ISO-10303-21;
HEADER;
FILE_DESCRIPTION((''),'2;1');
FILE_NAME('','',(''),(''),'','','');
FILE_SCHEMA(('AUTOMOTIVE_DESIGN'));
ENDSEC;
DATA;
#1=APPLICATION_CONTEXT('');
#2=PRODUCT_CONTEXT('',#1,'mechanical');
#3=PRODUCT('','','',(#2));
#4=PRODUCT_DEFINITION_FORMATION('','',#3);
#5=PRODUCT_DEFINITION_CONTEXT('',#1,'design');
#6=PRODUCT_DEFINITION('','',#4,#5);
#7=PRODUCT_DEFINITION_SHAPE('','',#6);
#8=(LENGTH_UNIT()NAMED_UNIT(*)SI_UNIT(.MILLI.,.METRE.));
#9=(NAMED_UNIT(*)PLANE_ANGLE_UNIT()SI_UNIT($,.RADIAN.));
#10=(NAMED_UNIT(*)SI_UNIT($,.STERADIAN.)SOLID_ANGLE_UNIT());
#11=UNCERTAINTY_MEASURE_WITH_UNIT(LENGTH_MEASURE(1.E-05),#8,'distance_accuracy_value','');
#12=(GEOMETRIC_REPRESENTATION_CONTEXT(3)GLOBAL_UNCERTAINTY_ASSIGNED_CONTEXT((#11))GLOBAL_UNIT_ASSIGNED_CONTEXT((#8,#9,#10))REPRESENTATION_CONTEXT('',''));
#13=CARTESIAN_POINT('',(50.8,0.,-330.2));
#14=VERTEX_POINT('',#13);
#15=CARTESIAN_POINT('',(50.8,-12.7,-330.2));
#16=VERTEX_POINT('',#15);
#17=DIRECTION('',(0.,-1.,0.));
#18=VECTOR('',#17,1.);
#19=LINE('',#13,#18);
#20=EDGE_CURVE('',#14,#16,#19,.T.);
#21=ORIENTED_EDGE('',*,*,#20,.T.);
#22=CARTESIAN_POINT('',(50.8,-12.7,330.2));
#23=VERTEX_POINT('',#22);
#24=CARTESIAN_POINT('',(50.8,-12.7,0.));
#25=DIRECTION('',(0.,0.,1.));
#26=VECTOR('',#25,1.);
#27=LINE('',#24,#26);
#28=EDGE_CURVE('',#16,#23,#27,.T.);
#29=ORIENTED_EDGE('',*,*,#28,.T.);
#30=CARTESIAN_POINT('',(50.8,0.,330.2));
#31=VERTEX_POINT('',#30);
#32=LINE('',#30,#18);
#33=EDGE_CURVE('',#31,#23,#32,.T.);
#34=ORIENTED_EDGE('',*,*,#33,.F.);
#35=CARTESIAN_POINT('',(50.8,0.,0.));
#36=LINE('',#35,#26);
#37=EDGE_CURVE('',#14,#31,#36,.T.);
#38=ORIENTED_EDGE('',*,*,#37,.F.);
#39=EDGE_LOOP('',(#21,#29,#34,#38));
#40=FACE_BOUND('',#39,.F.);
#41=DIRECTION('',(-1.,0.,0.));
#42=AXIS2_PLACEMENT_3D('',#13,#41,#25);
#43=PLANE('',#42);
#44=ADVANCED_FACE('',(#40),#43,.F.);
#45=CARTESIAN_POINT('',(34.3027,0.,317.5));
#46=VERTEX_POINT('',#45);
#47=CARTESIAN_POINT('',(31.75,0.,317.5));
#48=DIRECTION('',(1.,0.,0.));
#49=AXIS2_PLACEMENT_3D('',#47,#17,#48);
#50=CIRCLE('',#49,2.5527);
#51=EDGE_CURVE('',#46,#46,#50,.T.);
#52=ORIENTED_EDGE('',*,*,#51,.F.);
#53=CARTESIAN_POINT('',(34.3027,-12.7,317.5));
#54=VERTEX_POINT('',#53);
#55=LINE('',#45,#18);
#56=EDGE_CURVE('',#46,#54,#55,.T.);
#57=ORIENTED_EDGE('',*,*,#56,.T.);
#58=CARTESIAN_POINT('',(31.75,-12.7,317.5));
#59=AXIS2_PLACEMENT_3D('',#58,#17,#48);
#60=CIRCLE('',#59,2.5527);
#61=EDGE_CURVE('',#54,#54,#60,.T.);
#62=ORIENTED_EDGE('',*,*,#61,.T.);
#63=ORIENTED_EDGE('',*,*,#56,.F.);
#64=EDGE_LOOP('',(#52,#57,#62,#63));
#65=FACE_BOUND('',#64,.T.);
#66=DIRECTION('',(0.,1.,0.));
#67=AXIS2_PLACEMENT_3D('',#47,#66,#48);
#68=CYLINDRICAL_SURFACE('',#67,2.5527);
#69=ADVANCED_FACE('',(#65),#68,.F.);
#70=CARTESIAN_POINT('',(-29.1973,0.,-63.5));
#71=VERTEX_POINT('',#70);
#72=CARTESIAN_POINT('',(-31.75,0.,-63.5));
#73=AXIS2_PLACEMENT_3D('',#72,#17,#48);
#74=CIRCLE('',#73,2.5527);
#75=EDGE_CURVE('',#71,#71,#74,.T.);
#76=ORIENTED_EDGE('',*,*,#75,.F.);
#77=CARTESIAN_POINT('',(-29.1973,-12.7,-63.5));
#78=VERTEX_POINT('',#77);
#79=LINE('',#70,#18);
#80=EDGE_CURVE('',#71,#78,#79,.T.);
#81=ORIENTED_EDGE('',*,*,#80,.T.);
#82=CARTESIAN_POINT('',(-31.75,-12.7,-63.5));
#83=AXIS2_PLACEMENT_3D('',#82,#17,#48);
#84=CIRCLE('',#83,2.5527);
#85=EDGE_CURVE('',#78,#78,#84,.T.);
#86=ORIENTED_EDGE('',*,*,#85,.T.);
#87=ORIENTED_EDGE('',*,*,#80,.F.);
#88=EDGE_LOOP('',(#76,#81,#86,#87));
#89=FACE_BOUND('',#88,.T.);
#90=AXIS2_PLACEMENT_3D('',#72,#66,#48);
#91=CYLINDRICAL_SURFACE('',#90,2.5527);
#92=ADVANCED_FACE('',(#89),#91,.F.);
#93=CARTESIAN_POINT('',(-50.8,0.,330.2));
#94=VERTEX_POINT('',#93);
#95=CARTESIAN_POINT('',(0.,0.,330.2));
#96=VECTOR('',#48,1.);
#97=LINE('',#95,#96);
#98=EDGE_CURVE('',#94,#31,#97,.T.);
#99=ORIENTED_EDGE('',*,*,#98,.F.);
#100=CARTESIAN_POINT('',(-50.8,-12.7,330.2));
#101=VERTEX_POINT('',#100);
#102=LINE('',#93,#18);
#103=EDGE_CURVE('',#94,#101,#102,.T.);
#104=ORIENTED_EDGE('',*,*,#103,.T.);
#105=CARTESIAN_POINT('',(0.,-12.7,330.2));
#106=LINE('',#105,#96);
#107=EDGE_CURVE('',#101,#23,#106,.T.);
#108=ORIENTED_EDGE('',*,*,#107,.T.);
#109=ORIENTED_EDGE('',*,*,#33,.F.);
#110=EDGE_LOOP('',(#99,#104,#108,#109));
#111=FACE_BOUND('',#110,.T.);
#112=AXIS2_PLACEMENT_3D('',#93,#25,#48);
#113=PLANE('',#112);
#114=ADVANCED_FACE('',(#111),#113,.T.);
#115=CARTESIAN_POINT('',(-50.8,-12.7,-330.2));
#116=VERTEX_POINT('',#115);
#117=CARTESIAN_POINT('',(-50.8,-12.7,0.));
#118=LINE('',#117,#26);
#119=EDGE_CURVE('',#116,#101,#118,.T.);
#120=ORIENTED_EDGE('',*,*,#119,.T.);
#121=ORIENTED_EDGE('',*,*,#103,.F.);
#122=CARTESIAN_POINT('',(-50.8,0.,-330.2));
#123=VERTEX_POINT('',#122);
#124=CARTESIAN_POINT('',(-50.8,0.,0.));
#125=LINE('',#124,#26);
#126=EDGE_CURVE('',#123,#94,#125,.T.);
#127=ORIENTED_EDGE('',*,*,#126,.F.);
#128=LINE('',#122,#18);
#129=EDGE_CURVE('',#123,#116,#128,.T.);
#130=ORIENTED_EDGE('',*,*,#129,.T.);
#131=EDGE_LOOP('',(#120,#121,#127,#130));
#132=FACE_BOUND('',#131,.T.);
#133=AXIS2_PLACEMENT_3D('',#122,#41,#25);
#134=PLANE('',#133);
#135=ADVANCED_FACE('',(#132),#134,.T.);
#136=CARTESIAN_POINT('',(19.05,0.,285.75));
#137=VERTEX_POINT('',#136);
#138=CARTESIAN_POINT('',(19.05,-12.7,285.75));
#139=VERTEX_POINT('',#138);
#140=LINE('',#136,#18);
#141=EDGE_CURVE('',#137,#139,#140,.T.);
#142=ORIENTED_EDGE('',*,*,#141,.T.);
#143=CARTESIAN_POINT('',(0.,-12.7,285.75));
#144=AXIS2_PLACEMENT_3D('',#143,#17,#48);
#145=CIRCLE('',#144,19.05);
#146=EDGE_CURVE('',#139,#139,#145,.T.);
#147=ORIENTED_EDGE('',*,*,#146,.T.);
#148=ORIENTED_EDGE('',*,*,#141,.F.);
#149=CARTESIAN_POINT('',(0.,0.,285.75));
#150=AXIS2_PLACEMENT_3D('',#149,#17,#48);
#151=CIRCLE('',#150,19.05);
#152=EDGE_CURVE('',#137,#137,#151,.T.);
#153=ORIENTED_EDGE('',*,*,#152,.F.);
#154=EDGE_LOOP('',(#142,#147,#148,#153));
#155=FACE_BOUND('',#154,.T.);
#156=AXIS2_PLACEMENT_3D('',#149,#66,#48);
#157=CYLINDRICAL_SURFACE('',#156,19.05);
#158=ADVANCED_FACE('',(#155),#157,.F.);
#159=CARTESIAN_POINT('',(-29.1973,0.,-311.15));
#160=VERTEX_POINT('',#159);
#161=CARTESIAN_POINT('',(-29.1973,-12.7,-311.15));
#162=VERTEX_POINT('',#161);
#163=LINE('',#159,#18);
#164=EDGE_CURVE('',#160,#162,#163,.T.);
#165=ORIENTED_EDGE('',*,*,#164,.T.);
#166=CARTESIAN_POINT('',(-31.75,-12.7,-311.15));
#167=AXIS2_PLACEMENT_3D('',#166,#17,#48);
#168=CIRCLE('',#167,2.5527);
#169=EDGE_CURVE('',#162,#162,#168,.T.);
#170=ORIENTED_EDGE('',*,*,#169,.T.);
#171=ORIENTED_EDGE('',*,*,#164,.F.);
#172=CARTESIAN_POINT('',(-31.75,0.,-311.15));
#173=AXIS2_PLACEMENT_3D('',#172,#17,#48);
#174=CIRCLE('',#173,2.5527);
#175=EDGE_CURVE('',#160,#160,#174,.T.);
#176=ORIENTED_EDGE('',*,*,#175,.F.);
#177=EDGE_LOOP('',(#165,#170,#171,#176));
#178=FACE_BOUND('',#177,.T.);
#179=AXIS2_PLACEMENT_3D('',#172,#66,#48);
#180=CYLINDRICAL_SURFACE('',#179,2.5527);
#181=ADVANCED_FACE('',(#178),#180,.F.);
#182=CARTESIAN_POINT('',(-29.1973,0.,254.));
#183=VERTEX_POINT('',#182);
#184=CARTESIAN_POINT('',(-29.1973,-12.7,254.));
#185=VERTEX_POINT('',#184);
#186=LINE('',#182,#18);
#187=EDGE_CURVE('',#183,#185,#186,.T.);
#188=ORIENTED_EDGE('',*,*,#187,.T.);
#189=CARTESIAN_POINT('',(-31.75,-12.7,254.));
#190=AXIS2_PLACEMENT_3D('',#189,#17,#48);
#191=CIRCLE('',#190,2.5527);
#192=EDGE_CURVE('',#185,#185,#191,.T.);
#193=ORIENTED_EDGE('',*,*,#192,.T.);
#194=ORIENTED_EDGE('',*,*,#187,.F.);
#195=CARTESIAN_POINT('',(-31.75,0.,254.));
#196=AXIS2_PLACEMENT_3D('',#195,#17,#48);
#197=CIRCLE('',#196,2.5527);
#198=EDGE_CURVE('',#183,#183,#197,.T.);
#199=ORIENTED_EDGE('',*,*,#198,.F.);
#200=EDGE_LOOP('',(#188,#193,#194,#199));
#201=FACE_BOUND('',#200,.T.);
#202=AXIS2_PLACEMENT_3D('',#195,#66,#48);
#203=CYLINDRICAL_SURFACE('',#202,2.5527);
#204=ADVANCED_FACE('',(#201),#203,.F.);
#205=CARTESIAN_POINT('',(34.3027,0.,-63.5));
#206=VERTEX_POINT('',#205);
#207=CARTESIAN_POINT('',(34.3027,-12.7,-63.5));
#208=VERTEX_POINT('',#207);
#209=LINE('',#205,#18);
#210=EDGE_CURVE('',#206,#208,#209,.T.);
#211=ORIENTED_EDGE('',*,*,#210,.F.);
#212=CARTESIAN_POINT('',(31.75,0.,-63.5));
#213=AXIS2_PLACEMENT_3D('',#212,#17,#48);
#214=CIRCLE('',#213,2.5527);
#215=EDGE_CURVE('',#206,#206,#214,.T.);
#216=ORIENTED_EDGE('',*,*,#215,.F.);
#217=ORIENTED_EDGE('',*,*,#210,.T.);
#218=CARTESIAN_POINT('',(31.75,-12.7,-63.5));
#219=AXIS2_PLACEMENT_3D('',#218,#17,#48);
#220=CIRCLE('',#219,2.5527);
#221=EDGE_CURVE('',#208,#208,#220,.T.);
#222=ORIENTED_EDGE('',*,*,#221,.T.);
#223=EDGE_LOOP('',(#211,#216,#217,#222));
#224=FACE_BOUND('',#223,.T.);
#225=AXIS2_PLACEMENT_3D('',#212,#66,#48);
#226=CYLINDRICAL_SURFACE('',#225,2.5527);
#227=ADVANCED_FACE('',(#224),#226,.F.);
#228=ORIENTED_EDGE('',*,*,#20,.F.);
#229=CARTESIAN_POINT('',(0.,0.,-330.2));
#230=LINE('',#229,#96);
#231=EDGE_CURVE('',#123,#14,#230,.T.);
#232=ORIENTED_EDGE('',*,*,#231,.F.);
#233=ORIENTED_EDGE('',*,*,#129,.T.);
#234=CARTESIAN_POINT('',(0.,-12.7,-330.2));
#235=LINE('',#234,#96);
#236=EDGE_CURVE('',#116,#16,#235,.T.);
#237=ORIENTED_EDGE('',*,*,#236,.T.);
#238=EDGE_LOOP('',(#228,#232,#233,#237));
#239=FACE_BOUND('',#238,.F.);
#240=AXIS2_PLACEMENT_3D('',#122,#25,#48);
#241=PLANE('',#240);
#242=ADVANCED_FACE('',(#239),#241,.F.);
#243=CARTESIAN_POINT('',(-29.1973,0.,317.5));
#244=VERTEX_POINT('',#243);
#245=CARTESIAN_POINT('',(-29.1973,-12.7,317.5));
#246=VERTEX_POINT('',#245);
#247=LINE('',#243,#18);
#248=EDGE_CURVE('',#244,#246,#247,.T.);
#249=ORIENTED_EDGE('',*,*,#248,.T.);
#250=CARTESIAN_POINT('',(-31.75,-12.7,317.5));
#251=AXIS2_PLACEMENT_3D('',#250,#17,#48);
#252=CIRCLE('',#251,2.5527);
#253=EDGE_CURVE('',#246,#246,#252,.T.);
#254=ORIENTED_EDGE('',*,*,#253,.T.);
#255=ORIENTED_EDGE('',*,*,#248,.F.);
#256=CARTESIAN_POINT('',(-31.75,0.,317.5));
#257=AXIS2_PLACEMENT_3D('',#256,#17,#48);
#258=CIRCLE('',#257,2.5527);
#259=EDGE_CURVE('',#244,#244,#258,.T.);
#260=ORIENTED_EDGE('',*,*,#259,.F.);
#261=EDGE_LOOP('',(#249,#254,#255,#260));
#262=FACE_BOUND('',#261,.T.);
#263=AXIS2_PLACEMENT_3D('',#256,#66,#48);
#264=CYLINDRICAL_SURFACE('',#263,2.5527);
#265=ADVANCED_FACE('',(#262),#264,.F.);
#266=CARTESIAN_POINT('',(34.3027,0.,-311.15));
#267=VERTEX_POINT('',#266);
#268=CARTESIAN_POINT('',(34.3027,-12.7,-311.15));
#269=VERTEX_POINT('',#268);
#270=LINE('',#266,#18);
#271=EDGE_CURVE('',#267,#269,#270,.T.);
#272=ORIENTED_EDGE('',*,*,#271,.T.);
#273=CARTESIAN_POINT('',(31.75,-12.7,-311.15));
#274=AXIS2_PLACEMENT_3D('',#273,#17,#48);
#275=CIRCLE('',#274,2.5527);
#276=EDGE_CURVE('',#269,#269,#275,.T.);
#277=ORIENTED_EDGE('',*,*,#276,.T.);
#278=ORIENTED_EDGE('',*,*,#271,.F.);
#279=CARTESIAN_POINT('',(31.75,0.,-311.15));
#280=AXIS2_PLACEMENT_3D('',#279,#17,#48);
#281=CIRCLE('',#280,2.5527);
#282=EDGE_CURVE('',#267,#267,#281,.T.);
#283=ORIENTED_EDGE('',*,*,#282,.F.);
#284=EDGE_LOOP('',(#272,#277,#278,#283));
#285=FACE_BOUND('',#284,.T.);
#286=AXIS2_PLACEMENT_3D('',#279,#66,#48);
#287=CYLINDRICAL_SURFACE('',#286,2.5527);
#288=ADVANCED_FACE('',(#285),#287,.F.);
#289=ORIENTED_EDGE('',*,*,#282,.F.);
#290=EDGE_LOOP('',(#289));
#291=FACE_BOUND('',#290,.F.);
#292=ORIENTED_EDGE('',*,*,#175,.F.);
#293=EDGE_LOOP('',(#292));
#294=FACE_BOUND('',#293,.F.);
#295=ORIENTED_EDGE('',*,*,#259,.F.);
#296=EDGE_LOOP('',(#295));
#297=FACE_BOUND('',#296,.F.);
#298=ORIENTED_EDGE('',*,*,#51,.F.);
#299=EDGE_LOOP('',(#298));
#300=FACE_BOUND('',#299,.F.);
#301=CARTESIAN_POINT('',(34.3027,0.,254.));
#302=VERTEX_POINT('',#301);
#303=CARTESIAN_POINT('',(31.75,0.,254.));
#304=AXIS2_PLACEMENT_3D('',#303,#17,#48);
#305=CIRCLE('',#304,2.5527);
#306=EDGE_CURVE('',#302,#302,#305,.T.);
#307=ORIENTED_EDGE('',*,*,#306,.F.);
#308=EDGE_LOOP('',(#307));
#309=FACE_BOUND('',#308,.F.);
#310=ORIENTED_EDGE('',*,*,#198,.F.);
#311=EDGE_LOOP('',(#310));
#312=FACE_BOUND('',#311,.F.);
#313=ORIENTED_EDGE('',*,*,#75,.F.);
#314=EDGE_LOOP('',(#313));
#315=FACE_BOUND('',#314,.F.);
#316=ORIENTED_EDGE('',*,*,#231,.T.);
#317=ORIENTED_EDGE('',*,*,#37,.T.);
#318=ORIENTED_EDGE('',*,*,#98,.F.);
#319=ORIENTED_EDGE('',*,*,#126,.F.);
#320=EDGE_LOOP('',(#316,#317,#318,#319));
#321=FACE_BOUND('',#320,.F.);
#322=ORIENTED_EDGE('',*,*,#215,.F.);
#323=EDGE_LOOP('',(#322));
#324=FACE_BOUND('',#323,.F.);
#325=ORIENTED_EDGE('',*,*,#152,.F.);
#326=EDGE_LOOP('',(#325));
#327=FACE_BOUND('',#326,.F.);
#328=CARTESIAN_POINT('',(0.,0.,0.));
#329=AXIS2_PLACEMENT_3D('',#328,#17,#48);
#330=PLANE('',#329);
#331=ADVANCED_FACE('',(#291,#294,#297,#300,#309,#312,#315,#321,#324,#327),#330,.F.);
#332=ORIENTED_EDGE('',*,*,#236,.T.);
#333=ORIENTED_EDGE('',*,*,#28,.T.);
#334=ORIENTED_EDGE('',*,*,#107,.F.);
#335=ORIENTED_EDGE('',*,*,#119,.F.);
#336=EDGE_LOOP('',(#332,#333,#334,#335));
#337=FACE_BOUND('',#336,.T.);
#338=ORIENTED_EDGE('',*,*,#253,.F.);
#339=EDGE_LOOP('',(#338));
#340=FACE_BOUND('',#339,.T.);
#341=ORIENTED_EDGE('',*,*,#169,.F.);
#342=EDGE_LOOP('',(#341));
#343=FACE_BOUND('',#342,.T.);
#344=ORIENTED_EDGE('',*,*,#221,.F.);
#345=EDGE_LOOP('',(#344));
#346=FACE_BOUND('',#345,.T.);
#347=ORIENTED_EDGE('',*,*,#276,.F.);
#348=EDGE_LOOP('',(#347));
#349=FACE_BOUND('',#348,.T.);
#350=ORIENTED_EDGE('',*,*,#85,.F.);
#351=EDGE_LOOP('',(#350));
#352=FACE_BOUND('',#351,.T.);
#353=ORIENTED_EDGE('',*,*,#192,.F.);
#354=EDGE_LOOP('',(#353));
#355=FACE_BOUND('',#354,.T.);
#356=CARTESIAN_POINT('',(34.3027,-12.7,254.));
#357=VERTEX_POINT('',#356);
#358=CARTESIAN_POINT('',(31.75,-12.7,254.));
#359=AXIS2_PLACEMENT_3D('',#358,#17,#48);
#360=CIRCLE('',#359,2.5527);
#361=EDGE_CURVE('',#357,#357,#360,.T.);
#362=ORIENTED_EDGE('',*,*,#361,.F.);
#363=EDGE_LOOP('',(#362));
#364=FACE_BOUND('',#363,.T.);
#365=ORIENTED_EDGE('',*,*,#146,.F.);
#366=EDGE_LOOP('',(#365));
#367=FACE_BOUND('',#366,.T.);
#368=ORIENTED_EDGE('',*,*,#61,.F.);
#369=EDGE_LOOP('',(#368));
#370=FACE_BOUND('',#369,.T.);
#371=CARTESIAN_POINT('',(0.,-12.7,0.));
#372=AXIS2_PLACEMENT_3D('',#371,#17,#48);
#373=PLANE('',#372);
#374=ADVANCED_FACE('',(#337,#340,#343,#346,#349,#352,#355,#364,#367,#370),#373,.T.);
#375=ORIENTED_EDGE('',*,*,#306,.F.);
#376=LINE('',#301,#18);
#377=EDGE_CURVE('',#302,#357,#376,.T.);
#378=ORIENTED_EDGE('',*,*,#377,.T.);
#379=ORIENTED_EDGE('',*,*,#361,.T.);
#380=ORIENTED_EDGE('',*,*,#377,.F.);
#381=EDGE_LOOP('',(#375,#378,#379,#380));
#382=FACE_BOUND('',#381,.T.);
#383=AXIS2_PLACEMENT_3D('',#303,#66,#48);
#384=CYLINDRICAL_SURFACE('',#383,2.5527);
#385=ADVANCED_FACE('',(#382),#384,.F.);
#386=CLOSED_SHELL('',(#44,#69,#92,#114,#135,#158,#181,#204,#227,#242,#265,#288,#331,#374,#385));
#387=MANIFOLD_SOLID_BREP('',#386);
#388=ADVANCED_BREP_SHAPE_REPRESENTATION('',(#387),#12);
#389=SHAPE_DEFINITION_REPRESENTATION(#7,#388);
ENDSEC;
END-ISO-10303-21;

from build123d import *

# Parameters (mm, degrees)
F0_W     = 101.6
F0_H     = 660.4
F0_R     = 2.5527
F0_R_2   = 19.05
F1_DEPTH = 12.7


with BuildPart() as f1:
    # F0 (on Front) → F1 (new body)
    with BuildSketch(Plane.XZ):
        Rectangle(F0_W, F0_H)
        with Locations((-31.75, -311.15)):
            Circle(F0_R, mode=Mode.SUBTRACT)
        with Locations((-31.75, -63.5)):
            Circle(F0_R, mode=Mode.SUBTRACT)
        with Locations((31.75, -311.15)):
            Circle(F0_R, mode=Mode.SUBTRACT)
        with Locations((31.75, -63.5)):
            Circle(F0_R, mode=Mode.SUBTRACT)
        with Locations((-31.75, 254)):
            Circle(F0_R, mode=Mode.SUBTRACT)
        with Locations((-31.75, 317.5)):
            Circle(F0_R, mode=Mode.SUBTRACT)
        with Locations((0, 285.75)):
            Circle(F0_R_2, mode=Mode.SUBTRACT)
        with Locations((31.75, 254)):
            Circle(F0_R, mode=Mode.SUBTRACT)
        with Locations((31.75, 317.5)):
            Circle(F0_R, mode=Mode.SUBTRACT)
    extrude(amount=F1_DEPTH)


solid = f1.part
